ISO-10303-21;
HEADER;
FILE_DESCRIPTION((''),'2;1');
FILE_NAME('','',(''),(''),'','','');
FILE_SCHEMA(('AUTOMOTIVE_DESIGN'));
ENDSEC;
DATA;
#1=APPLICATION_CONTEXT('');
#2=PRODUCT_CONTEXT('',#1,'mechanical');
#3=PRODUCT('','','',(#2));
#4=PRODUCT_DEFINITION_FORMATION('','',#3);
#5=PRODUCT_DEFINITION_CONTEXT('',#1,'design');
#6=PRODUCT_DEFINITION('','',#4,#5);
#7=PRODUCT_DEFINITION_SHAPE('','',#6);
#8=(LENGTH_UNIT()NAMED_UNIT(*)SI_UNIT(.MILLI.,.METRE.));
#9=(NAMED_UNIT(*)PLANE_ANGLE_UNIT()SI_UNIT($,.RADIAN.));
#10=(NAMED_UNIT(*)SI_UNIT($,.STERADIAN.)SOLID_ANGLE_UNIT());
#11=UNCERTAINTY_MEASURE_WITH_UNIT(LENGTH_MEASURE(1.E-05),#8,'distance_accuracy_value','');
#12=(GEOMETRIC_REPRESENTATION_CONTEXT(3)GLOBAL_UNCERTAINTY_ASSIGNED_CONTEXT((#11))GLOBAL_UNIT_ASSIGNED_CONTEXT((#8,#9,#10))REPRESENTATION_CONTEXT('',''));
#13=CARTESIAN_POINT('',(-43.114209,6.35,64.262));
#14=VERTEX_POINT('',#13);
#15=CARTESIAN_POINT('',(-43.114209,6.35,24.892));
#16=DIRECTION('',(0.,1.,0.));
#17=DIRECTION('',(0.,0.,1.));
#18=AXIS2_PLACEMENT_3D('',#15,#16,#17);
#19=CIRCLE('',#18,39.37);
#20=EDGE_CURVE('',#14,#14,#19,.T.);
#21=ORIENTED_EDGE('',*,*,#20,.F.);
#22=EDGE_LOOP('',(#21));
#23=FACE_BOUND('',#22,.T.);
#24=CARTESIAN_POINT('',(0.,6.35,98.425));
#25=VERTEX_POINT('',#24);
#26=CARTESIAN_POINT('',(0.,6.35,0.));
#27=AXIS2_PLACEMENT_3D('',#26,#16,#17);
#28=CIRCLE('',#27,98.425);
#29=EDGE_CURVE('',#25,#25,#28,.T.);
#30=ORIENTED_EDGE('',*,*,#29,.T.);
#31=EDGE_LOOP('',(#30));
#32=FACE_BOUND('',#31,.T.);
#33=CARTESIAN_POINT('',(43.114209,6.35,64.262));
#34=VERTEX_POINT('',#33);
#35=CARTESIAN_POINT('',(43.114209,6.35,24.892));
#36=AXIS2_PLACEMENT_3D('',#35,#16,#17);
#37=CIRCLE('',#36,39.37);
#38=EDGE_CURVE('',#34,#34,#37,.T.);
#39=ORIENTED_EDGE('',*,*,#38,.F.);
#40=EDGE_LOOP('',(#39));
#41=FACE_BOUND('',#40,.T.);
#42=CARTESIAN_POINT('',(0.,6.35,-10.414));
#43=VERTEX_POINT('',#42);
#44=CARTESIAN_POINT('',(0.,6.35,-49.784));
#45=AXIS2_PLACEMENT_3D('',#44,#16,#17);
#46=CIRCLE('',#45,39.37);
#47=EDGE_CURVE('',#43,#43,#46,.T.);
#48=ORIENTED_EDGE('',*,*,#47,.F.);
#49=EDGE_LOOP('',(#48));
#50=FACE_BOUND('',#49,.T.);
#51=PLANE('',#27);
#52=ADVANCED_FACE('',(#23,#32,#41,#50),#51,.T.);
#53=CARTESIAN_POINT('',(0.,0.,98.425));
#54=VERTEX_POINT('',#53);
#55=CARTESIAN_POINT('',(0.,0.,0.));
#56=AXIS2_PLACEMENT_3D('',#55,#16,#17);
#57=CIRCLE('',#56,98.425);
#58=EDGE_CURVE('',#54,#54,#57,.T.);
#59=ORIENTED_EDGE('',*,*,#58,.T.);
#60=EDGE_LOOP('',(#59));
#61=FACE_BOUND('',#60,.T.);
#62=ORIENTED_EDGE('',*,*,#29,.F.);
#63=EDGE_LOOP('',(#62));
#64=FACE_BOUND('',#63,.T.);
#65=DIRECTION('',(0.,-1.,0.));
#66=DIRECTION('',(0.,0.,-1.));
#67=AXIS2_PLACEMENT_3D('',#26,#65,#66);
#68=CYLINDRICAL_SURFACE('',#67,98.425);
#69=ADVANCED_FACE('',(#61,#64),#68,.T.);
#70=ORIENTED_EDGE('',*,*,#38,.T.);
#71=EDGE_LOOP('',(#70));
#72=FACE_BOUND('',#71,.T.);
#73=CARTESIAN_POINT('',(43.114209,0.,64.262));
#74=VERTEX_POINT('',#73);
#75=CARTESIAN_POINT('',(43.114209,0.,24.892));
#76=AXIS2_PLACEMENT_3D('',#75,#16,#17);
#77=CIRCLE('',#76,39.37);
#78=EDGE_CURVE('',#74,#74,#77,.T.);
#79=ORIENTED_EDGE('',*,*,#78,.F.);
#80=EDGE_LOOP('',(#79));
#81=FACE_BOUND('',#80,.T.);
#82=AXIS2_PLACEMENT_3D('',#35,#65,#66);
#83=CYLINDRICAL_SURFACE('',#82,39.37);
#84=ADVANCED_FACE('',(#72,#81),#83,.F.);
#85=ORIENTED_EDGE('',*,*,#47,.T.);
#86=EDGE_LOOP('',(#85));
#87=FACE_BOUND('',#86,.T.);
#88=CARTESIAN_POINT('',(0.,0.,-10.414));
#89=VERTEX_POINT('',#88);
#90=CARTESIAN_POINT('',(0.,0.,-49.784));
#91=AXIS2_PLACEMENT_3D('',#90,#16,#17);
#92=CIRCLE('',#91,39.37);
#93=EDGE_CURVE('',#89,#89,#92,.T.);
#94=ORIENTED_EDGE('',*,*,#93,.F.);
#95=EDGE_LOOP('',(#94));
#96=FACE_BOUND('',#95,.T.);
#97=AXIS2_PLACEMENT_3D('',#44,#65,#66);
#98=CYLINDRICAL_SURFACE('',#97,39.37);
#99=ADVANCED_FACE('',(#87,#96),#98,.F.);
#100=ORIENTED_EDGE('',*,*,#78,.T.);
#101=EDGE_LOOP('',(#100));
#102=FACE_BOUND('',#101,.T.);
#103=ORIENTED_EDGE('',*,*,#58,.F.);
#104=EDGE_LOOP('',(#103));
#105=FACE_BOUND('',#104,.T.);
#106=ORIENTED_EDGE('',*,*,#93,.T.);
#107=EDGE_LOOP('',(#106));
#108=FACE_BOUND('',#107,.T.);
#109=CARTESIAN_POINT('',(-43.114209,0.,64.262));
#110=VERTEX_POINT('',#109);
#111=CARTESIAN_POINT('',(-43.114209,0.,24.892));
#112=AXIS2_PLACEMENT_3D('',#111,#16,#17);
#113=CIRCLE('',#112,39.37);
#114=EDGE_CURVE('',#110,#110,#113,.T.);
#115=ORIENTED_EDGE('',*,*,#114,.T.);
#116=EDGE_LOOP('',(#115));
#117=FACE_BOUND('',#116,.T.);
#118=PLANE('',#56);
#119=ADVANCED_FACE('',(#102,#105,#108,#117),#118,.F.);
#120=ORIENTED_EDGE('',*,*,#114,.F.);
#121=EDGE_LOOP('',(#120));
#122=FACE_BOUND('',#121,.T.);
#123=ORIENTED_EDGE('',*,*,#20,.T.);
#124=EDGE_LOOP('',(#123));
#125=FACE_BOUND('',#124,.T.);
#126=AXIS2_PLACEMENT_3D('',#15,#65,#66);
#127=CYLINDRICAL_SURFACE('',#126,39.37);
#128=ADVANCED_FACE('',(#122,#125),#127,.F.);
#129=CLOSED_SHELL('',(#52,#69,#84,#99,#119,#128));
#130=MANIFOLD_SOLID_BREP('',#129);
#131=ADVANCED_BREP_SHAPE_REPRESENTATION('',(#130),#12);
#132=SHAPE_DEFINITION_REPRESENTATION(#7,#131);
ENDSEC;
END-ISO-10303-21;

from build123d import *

# Parameters (mm, degrees)
SKETCH1_R           = 98.425
SKETCH1_R_2         = 39.37
BOSS_EXTRUDE1_DEPTH = 6.35


with BuildPart() as part:
    # Sketch1 → Boss-Extrude1 (new body)
    with BuildSketch(Plane(origin=(0, 0, 0), x_dir=(1, 0, 0), z_dir=(0, 1, 0))):
        Circle(SKETCH1_R)
        with Locations((0, 49.784)):
            Circle(SKETCH1_R_2, mode=Mode.SUBTRACT)
        with Locations((43.114208702, -24.892)):
            Circle(SKETCH1_R_2, mode=Mode.SUBTRACT)
        with Locations((-43.114208702, -24.892)):
            Circle(SKETCH1_R_2, mode=Mode.SUBTRACT)
    extrude(amount=BOSS_EXTRUDE1_DEPTH)


solid = part.part
